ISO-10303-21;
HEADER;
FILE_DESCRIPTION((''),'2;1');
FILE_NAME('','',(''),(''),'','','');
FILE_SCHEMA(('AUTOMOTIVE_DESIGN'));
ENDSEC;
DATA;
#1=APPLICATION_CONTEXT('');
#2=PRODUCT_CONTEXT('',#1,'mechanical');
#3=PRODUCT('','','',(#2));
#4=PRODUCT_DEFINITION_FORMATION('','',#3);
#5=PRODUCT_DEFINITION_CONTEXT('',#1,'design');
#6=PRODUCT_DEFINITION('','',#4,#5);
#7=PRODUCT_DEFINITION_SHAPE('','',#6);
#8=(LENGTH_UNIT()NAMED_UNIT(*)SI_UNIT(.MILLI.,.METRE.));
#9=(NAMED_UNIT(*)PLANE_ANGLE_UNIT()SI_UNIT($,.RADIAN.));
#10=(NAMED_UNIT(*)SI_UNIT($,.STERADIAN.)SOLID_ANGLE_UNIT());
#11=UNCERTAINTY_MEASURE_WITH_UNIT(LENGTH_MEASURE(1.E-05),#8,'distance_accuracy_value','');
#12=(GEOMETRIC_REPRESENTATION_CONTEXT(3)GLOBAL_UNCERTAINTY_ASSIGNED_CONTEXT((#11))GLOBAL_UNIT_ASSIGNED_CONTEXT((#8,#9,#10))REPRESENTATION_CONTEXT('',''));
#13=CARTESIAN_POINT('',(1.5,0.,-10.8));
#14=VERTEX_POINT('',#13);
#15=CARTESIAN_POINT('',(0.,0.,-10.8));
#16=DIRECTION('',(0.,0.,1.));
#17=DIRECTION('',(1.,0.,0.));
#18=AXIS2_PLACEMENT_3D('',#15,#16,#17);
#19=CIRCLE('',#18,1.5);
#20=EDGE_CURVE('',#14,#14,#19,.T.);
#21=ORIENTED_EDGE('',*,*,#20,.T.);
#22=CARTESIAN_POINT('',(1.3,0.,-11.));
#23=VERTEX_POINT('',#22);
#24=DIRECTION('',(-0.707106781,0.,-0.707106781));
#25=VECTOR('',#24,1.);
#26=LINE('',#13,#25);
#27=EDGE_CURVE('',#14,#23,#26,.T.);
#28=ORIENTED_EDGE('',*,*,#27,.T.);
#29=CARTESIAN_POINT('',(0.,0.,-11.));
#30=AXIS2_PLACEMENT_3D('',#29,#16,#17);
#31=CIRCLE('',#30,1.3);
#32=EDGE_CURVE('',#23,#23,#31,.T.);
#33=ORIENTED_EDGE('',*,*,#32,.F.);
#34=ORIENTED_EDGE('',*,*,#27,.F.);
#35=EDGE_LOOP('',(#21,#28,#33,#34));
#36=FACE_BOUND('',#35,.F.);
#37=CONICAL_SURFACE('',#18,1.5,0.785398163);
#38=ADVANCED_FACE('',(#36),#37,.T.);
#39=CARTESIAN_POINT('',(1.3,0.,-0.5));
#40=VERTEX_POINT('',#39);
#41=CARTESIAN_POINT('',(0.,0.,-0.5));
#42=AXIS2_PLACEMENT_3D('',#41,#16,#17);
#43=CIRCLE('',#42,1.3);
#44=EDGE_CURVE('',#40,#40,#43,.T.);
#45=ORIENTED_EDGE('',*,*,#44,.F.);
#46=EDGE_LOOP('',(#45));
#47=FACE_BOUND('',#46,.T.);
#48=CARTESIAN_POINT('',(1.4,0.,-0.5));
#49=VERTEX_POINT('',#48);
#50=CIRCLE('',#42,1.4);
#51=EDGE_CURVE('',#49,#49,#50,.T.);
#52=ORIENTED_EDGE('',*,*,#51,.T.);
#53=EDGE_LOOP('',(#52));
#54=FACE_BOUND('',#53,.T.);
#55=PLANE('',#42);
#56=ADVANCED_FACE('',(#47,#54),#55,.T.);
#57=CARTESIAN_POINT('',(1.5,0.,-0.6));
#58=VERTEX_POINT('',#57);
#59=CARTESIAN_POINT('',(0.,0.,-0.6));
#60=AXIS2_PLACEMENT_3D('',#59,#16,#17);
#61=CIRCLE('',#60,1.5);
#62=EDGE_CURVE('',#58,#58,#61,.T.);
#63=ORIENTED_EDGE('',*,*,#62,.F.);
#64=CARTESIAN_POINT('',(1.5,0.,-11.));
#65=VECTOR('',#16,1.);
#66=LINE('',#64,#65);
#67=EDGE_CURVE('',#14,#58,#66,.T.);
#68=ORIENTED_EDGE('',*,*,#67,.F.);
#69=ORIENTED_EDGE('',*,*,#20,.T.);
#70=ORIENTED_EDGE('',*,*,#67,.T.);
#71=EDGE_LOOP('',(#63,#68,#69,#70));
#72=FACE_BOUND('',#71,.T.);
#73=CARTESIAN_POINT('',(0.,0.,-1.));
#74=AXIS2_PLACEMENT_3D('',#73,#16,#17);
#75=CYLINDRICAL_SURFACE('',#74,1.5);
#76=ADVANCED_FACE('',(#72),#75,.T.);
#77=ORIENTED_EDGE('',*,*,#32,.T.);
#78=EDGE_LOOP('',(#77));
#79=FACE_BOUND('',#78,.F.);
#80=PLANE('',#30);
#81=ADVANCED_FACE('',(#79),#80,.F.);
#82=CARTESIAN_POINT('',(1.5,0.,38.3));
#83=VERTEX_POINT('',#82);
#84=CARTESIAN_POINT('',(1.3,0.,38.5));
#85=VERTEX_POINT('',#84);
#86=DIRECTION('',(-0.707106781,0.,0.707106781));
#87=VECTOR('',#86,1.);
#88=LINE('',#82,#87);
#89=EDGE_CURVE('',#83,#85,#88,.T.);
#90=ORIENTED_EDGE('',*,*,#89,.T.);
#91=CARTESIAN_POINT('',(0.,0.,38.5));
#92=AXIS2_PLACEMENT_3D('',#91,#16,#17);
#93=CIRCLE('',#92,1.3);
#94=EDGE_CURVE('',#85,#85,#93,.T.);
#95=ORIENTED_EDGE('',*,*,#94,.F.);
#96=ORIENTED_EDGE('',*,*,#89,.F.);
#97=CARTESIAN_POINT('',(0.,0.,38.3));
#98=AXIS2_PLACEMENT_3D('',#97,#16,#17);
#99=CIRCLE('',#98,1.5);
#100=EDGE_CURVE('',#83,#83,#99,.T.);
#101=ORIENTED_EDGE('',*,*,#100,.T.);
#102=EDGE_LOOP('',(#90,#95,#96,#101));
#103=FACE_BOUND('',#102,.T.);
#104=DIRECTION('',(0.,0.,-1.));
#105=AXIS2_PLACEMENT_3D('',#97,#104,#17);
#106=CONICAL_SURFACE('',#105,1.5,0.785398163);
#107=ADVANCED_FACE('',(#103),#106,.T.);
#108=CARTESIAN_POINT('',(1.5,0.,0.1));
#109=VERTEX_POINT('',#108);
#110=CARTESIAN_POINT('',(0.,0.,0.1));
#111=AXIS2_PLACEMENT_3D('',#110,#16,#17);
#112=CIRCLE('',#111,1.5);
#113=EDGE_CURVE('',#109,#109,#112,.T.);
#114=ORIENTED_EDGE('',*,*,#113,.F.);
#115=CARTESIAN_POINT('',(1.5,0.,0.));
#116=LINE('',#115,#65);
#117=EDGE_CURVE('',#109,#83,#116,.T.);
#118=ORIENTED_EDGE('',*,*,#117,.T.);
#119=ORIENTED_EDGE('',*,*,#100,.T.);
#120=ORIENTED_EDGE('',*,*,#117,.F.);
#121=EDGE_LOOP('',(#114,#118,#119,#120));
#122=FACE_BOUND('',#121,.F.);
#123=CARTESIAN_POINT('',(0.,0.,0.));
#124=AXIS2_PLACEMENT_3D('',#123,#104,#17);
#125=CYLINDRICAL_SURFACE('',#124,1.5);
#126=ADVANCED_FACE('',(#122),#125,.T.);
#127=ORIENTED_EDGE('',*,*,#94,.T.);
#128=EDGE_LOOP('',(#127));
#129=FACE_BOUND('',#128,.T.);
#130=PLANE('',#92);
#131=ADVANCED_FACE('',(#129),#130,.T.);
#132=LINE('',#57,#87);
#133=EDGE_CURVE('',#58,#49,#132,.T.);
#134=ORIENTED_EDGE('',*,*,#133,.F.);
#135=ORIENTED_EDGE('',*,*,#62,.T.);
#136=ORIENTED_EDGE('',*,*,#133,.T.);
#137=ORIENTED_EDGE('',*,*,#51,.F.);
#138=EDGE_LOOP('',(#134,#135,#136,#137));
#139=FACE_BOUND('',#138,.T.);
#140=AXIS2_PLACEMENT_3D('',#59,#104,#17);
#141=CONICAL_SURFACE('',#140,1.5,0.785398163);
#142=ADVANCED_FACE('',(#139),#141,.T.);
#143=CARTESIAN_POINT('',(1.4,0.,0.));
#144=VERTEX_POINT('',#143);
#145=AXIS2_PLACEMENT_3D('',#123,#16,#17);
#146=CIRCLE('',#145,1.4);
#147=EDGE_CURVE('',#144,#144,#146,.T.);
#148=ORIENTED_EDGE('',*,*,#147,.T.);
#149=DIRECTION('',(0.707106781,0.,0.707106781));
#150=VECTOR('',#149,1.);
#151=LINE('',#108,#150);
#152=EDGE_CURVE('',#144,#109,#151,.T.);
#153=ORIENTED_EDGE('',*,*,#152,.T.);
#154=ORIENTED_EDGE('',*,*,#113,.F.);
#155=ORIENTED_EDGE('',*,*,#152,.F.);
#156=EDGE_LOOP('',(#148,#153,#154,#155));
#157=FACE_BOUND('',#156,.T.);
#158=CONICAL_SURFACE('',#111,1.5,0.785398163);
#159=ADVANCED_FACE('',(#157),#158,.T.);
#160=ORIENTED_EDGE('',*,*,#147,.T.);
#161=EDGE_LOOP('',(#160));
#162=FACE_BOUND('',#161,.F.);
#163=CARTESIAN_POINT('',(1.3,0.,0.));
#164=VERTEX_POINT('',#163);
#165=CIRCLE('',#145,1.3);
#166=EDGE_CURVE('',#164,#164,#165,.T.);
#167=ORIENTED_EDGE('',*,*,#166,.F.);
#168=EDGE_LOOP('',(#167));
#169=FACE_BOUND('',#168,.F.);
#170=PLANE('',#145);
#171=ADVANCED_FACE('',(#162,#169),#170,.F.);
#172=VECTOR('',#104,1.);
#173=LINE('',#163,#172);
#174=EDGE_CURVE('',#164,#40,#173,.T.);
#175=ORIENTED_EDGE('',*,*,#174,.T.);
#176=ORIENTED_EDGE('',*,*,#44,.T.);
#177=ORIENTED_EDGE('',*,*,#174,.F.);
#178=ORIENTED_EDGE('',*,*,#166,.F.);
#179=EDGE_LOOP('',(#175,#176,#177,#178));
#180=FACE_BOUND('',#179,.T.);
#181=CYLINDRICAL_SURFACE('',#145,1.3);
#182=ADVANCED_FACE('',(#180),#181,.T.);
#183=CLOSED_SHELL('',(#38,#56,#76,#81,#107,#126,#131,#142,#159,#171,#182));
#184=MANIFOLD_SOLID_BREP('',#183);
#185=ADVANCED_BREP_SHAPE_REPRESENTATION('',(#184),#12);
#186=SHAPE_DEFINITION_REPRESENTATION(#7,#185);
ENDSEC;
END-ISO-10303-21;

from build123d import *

# Parameters (mm, degrees)
F0_R     = 1.5
F0_R_2   = 1.3
F1_DEPTH = 38.5
F2_DEPTH = 1
F3_START = -0.5
F3_DEPTH = 0.5
F4_DEPTH = 10
F5_SIZE  = 0.2
F6_SIZE  = 0.1


with BuildPart() as f1:
    # F0 (on Top) → F1 (new body)
    with BuildSketch(Plane.XY):
        Circle(F0_R)
        Circle(F0_R_2, mode=Mode.SUBTRACT)
        Circle(F0_R_2)
    extrude(amount=F1_DEPTH)

    # F0 (on Top) → F2 (join)
    with BuildSketch(Plane.XY):
        Circle(F0_R_2)
    extrude(amount=-F2_DEPTH)

    # F0 (on Top) → F3 (join)
    with BuildSketch(Plane.XY.offset(F3_START)):
        Circle(F0_R)
        Circle(F0_R_2, mode=Mode.SUBTRACT)
    extrude(amount=-F3_DEPTH)

    # F4 (add): a face of the model
    f4_faces = [f1.faces().sort_by_distance(p)[0] for p in [
        (0, 0, -1),
    ]]
    extrude(f4_faces, amount=F4_DEPTH)

    # F5
    f5_edges = [f1.edges().sort_by_distance(p)[0] for p in [
        (-1.5, 0, 38.5),
        (-1.5, 0, -11),
    ]]
    chamfer(f5_edges, length=F5_SIZE)

    # F6
    f6_edges = [f1.edges().sort_by_distance(p)[0] for p in [
        (-1.5, 0, -0.5),
        (-1.5, 0, 0),
    ]]
    chamfer(f6_edges, length=F6_SIZE)


solid = f1.part
